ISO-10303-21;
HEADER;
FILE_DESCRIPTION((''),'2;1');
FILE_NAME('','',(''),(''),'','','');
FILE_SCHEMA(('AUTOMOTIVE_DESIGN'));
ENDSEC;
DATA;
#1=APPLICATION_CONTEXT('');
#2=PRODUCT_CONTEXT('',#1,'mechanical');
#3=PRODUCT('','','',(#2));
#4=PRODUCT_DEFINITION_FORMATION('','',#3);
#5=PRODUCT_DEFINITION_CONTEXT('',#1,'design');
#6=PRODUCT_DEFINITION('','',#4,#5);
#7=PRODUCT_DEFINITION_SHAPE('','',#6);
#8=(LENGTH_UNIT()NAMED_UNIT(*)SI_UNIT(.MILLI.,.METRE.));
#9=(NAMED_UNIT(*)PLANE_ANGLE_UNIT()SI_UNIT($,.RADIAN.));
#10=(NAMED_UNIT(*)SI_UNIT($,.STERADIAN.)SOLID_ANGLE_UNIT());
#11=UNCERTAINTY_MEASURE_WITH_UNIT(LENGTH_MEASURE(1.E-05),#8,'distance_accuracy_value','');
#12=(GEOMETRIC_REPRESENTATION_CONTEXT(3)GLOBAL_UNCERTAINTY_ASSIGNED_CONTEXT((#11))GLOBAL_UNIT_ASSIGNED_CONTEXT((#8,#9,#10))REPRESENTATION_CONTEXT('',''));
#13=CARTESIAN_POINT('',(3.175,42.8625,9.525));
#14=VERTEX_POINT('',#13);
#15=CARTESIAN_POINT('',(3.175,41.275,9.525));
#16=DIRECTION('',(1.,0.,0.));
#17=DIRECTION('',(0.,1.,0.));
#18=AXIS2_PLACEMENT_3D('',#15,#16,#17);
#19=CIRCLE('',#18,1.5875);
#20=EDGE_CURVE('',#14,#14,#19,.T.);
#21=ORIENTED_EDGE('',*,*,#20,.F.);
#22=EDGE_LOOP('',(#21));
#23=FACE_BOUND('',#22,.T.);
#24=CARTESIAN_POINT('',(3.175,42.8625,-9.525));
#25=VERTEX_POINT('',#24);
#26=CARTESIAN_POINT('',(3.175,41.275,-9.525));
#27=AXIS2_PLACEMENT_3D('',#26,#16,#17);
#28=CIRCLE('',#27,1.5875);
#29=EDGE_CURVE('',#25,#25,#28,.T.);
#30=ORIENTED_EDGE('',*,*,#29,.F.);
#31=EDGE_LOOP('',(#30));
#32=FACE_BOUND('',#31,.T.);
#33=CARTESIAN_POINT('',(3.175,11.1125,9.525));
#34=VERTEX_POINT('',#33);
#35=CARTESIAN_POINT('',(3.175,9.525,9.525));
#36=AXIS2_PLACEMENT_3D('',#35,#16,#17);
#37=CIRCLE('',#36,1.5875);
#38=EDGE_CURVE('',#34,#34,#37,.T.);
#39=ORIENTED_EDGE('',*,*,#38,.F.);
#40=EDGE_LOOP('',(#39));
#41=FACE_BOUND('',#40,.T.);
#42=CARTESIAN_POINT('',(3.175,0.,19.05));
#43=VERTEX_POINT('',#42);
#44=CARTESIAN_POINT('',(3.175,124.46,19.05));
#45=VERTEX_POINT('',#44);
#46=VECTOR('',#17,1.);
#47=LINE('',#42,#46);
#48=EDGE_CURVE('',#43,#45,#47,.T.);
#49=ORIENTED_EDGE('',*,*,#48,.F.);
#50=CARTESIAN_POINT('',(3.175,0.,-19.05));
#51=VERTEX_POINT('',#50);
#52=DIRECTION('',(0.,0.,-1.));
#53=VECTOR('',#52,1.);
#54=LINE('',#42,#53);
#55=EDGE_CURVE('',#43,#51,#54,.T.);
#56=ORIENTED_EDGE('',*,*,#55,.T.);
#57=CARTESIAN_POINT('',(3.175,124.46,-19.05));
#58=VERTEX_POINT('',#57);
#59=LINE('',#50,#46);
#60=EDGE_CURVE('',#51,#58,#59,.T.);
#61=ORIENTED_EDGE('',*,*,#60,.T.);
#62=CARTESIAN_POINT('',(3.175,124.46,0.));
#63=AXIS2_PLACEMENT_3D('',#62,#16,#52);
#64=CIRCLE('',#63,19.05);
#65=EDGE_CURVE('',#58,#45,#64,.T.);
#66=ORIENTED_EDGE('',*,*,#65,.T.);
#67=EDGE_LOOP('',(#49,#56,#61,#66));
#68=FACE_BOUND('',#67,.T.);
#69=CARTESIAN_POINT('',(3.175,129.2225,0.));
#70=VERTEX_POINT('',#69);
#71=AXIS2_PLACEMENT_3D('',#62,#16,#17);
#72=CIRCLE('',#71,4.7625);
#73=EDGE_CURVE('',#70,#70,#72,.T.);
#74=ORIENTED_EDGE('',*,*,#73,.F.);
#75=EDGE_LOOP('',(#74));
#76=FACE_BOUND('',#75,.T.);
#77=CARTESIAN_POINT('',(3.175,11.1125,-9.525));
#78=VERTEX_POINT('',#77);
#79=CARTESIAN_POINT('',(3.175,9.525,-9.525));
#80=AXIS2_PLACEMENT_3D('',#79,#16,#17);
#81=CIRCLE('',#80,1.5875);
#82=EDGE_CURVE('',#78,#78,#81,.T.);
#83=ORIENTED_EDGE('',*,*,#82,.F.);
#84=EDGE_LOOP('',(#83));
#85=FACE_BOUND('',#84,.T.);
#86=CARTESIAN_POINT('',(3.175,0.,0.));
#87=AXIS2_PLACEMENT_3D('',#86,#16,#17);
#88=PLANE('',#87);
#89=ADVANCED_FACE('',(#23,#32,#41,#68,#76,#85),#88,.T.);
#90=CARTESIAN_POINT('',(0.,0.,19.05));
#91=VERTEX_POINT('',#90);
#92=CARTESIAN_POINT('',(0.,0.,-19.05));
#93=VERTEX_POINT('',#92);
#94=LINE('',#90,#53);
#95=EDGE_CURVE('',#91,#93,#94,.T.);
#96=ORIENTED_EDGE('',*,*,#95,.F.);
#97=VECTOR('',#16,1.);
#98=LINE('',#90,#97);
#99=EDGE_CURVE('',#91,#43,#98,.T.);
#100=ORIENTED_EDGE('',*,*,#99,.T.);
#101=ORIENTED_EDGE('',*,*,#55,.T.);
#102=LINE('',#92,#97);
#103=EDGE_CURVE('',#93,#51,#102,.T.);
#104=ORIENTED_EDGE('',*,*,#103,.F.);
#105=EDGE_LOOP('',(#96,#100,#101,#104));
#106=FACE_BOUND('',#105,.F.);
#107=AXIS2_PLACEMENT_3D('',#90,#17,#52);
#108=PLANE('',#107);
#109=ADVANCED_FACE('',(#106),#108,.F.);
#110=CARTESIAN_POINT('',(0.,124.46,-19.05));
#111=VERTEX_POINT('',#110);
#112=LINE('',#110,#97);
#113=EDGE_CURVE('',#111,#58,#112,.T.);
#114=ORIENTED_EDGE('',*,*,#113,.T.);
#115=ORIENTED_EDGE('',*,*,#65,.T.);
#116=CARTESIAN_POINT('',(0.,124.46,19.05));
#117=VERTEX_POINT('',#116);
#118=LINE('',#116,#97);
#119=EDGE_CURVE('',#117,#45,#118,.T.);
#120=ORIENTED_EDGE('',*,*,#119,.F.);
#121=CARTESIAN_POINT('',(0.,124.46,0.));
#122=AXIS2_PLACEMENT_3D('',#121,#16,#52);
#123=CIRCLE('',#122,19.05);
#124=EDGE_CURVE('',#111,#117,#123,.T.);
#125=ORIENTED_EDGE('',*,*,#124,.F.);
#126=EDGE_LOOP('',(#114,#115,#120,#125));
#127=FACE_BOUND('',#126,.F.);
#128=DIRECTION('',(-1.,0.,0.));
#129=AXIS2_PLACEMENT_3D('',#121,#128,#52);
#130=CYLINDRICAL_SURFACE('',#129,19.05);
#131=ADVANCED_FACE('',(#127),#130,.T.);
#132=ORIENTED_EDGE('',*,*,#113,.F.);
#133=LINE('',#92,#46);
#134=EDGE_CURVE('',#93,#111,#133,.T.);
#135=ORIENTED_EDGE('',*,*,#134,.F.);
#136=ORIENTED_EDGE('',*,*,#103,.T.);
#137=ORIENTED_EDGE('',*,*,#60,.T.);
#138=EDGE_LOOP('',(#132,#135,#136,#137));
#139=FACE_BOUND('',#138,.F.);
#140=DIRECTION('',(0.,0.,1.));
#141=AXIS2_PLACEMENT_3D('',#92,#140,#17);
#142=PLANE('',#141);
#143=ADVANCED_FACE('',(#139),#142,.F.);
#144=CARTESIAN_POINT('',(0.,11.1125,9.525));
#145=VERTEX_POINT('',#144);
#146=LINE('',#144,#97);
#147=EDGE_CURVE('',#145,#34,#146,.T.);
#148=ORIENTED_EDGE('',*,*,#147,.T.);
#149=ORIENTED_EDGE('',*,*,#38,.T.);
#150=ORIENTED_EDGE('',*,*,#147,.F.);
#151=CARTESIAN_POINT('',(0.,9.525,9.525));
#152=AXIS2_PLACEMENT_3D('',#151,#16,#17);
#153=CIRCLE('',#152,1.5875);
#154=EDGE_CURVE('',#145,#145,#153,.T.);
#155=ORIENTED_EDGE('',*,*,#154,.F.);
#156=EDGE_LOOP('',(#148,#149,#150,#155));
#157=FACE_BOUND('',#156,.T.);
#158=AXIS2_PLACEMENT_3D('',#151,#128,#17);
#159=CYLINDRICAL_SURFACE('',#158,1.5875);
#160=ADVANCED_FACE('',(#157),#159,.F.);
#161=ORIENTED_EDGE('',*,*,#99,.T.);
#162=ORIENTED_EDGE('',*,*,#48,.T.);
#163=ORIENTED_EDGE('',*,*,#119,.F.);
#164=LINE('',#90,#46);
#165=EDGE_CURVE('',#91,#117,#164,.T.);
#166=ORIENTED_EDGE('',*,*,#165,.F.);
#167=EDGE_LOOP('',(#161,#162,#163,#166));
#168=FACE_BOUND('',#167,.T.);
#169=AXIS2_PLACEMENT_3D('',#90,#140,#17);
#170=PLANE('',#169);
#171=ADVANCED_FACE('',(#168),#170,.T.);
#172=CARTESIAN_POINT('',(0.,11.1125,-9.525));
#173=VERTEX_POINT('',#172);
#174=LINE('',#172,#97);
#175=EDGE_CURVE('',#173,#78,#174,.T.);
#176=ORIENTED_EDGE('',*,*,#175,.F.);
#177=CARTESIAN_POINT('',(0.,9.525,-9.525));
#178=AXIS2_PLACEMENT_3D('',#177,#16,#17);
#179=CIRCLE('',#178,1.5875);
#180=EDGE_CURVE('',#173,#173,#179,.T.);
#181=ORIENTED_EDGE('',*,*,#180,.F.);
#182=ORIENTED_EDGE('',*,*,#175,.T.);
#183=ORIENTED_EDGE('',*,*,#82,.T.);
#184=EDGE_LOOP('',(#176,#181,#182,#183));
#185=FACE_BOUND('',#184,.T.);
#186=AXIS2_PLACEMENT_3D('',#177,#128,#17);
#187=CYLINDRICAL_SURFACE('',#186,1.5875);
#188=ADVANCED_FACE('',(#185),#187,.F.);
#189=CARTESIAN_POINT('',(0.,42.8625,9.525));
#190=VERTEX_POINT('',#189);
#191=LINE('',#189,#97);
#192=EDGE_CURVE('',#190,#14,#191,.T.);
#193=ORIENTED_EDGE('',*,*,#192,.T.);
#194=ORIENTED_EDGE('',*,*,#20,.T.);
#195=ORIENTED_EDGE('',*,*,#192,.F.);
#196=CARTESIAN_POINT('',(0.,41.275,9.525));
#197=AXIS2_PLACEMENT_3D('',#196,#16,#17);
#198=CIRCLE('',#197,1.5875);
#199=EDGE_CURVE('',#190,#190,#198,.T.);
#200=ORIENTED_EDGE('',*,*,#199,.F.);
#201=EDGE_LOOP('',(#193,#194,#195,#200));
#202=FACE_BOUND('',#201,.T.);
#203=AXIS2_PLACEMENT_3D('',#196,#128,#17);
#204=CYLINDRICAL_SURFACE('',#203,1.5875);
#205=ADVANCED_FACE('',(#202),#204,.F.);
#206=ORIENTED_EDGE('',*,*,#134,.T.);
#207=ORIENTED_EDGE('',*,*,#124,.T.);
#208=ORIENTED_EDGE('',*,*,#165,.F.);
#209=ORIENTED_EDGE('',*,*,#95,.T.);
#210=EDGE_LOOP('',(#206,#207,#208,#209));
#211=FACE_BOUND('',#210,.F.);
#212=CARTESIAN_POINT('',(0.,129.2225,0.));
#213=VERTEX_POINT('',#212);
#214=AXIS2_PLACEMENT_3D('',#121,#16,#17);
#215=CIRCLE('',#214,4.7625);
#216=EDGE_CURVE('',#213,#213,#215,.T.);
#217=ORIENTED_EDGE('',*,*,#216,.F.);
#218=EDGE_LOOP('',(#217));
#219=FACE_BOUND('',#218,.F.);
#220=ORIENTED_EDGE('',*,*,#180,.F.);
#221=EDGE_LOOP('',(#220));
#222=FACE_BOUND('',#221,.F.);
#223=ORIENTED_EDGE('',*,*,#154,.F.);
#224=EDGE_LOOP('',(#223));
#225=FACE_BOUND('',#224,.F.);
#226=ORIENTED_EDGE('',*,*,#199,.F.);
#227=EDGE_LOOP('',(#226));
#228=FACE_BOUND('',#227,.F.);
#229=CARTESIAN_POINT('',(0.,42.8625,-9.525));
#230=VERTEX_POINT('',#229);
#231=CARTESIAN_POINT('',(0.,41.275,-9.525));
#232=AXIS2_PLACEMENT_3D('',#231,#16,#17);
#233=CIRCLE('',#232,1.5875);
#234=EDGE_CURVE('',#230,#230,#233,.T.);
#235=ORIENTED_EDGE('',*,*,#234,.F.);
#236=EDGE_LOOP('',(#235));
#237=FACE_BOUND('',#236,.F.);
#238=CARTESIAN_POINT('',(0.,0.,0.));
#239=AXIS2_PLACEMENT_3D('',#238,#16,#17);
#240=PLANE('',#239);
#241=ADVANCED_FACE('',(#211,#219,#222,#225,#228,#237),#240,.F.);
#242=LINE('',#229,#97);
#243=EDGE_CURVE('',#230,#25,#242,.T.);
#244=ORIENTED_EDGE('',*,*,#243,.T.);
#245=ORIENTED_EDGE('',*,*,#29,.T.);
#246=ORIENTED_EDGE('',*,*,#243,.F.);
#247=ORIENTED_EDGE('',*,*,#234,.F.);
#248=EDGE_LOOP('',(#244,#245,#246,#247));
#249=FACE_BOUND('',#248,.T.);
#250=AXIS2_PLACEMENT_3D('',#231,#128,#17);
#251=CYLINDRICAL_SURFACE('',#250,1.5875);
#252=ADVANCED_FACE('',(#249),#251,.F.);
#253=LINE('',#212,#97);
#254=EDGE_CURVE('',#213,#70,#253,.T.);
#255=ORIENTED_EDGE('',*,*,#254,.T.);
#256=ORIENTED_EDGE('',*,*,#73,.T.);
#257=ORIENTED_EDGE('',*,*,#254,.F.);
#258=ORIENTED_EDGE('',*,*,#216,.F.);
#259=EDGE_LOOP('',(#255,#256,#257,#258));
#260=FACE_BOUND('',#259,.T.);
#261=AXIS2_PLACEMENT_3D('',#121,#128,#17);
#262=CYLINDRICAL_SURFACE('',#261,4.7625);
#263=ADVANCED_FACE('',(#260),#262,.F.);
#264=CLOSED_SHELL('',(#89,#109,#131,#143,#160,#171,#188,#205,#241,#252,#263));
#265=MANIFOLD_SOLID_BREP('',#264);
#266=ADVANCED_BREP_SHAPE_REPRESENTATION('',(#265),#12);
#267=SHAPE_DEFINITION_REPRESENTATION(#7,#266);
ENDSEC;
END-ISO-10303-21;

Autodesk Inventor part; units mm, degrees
ref_plane "YZ Plane" through (0, 0, 0) normal (1, 0, 0) x (0, 1, 0)
ref_plane "XZ Plane" through (0, 0, 0) normal (0, 1, 0) x (-1, 0, 0)
ref_plane "XY Plane" through (0, 0, 0) normal (0, 0, 1) x (1, 0, 0)
sketch "Sketch1" plane through (0, 0, 0) normal (1, 0, 0) x (0, 1, 0)
  line L0 (0, 19.05) -> (0, -19.05)
  line L1 (0, -19.05) -> (124.46, -19.05)
  line L2 (0, 19.05) -> (124.46, 19.05)
  circle A0 centre (124.46, 0) radius 4.7625
  line L3 (124.46, 0) -> (0, 0) construction
  arc A1 (124.46, -19.05) -> (124.46, 19.05) centre (124.46, 0) ccw
  line L4 (0, 9.525) -> (41.275, 9.525) construction
  line L5 (41.275, 9.525) -> (41.275, -9.525) construction
  line L6 (41.275, -9.525) -> (0, -9.525) construction
  line L7 (9.525, -9.525) -> (9.525, 9.525) construction
  circle A2 centre (41.275, 9.525) radius 1.5875
  circle A3 centre (41.275, -9.525) radius 1.5875
  circle A4 centre (9.525, -9.525) radius 1.5875
  circle A5 centre (9.525, 9.525) radius 1.5875
  dimension "d0" = 9.525
  dimension "d1" = 38.1
  dimension "d2" = 124.46
  dimension "d5" = 19.05
  dimension "d6" = 31.75
  dimension "d7" = 9.525
  dimension "d8" = 3.175
extrude "Extrusion1" add sketch "Sketch1" along normal blind 3.175
properties part number "Flipper Plate"
